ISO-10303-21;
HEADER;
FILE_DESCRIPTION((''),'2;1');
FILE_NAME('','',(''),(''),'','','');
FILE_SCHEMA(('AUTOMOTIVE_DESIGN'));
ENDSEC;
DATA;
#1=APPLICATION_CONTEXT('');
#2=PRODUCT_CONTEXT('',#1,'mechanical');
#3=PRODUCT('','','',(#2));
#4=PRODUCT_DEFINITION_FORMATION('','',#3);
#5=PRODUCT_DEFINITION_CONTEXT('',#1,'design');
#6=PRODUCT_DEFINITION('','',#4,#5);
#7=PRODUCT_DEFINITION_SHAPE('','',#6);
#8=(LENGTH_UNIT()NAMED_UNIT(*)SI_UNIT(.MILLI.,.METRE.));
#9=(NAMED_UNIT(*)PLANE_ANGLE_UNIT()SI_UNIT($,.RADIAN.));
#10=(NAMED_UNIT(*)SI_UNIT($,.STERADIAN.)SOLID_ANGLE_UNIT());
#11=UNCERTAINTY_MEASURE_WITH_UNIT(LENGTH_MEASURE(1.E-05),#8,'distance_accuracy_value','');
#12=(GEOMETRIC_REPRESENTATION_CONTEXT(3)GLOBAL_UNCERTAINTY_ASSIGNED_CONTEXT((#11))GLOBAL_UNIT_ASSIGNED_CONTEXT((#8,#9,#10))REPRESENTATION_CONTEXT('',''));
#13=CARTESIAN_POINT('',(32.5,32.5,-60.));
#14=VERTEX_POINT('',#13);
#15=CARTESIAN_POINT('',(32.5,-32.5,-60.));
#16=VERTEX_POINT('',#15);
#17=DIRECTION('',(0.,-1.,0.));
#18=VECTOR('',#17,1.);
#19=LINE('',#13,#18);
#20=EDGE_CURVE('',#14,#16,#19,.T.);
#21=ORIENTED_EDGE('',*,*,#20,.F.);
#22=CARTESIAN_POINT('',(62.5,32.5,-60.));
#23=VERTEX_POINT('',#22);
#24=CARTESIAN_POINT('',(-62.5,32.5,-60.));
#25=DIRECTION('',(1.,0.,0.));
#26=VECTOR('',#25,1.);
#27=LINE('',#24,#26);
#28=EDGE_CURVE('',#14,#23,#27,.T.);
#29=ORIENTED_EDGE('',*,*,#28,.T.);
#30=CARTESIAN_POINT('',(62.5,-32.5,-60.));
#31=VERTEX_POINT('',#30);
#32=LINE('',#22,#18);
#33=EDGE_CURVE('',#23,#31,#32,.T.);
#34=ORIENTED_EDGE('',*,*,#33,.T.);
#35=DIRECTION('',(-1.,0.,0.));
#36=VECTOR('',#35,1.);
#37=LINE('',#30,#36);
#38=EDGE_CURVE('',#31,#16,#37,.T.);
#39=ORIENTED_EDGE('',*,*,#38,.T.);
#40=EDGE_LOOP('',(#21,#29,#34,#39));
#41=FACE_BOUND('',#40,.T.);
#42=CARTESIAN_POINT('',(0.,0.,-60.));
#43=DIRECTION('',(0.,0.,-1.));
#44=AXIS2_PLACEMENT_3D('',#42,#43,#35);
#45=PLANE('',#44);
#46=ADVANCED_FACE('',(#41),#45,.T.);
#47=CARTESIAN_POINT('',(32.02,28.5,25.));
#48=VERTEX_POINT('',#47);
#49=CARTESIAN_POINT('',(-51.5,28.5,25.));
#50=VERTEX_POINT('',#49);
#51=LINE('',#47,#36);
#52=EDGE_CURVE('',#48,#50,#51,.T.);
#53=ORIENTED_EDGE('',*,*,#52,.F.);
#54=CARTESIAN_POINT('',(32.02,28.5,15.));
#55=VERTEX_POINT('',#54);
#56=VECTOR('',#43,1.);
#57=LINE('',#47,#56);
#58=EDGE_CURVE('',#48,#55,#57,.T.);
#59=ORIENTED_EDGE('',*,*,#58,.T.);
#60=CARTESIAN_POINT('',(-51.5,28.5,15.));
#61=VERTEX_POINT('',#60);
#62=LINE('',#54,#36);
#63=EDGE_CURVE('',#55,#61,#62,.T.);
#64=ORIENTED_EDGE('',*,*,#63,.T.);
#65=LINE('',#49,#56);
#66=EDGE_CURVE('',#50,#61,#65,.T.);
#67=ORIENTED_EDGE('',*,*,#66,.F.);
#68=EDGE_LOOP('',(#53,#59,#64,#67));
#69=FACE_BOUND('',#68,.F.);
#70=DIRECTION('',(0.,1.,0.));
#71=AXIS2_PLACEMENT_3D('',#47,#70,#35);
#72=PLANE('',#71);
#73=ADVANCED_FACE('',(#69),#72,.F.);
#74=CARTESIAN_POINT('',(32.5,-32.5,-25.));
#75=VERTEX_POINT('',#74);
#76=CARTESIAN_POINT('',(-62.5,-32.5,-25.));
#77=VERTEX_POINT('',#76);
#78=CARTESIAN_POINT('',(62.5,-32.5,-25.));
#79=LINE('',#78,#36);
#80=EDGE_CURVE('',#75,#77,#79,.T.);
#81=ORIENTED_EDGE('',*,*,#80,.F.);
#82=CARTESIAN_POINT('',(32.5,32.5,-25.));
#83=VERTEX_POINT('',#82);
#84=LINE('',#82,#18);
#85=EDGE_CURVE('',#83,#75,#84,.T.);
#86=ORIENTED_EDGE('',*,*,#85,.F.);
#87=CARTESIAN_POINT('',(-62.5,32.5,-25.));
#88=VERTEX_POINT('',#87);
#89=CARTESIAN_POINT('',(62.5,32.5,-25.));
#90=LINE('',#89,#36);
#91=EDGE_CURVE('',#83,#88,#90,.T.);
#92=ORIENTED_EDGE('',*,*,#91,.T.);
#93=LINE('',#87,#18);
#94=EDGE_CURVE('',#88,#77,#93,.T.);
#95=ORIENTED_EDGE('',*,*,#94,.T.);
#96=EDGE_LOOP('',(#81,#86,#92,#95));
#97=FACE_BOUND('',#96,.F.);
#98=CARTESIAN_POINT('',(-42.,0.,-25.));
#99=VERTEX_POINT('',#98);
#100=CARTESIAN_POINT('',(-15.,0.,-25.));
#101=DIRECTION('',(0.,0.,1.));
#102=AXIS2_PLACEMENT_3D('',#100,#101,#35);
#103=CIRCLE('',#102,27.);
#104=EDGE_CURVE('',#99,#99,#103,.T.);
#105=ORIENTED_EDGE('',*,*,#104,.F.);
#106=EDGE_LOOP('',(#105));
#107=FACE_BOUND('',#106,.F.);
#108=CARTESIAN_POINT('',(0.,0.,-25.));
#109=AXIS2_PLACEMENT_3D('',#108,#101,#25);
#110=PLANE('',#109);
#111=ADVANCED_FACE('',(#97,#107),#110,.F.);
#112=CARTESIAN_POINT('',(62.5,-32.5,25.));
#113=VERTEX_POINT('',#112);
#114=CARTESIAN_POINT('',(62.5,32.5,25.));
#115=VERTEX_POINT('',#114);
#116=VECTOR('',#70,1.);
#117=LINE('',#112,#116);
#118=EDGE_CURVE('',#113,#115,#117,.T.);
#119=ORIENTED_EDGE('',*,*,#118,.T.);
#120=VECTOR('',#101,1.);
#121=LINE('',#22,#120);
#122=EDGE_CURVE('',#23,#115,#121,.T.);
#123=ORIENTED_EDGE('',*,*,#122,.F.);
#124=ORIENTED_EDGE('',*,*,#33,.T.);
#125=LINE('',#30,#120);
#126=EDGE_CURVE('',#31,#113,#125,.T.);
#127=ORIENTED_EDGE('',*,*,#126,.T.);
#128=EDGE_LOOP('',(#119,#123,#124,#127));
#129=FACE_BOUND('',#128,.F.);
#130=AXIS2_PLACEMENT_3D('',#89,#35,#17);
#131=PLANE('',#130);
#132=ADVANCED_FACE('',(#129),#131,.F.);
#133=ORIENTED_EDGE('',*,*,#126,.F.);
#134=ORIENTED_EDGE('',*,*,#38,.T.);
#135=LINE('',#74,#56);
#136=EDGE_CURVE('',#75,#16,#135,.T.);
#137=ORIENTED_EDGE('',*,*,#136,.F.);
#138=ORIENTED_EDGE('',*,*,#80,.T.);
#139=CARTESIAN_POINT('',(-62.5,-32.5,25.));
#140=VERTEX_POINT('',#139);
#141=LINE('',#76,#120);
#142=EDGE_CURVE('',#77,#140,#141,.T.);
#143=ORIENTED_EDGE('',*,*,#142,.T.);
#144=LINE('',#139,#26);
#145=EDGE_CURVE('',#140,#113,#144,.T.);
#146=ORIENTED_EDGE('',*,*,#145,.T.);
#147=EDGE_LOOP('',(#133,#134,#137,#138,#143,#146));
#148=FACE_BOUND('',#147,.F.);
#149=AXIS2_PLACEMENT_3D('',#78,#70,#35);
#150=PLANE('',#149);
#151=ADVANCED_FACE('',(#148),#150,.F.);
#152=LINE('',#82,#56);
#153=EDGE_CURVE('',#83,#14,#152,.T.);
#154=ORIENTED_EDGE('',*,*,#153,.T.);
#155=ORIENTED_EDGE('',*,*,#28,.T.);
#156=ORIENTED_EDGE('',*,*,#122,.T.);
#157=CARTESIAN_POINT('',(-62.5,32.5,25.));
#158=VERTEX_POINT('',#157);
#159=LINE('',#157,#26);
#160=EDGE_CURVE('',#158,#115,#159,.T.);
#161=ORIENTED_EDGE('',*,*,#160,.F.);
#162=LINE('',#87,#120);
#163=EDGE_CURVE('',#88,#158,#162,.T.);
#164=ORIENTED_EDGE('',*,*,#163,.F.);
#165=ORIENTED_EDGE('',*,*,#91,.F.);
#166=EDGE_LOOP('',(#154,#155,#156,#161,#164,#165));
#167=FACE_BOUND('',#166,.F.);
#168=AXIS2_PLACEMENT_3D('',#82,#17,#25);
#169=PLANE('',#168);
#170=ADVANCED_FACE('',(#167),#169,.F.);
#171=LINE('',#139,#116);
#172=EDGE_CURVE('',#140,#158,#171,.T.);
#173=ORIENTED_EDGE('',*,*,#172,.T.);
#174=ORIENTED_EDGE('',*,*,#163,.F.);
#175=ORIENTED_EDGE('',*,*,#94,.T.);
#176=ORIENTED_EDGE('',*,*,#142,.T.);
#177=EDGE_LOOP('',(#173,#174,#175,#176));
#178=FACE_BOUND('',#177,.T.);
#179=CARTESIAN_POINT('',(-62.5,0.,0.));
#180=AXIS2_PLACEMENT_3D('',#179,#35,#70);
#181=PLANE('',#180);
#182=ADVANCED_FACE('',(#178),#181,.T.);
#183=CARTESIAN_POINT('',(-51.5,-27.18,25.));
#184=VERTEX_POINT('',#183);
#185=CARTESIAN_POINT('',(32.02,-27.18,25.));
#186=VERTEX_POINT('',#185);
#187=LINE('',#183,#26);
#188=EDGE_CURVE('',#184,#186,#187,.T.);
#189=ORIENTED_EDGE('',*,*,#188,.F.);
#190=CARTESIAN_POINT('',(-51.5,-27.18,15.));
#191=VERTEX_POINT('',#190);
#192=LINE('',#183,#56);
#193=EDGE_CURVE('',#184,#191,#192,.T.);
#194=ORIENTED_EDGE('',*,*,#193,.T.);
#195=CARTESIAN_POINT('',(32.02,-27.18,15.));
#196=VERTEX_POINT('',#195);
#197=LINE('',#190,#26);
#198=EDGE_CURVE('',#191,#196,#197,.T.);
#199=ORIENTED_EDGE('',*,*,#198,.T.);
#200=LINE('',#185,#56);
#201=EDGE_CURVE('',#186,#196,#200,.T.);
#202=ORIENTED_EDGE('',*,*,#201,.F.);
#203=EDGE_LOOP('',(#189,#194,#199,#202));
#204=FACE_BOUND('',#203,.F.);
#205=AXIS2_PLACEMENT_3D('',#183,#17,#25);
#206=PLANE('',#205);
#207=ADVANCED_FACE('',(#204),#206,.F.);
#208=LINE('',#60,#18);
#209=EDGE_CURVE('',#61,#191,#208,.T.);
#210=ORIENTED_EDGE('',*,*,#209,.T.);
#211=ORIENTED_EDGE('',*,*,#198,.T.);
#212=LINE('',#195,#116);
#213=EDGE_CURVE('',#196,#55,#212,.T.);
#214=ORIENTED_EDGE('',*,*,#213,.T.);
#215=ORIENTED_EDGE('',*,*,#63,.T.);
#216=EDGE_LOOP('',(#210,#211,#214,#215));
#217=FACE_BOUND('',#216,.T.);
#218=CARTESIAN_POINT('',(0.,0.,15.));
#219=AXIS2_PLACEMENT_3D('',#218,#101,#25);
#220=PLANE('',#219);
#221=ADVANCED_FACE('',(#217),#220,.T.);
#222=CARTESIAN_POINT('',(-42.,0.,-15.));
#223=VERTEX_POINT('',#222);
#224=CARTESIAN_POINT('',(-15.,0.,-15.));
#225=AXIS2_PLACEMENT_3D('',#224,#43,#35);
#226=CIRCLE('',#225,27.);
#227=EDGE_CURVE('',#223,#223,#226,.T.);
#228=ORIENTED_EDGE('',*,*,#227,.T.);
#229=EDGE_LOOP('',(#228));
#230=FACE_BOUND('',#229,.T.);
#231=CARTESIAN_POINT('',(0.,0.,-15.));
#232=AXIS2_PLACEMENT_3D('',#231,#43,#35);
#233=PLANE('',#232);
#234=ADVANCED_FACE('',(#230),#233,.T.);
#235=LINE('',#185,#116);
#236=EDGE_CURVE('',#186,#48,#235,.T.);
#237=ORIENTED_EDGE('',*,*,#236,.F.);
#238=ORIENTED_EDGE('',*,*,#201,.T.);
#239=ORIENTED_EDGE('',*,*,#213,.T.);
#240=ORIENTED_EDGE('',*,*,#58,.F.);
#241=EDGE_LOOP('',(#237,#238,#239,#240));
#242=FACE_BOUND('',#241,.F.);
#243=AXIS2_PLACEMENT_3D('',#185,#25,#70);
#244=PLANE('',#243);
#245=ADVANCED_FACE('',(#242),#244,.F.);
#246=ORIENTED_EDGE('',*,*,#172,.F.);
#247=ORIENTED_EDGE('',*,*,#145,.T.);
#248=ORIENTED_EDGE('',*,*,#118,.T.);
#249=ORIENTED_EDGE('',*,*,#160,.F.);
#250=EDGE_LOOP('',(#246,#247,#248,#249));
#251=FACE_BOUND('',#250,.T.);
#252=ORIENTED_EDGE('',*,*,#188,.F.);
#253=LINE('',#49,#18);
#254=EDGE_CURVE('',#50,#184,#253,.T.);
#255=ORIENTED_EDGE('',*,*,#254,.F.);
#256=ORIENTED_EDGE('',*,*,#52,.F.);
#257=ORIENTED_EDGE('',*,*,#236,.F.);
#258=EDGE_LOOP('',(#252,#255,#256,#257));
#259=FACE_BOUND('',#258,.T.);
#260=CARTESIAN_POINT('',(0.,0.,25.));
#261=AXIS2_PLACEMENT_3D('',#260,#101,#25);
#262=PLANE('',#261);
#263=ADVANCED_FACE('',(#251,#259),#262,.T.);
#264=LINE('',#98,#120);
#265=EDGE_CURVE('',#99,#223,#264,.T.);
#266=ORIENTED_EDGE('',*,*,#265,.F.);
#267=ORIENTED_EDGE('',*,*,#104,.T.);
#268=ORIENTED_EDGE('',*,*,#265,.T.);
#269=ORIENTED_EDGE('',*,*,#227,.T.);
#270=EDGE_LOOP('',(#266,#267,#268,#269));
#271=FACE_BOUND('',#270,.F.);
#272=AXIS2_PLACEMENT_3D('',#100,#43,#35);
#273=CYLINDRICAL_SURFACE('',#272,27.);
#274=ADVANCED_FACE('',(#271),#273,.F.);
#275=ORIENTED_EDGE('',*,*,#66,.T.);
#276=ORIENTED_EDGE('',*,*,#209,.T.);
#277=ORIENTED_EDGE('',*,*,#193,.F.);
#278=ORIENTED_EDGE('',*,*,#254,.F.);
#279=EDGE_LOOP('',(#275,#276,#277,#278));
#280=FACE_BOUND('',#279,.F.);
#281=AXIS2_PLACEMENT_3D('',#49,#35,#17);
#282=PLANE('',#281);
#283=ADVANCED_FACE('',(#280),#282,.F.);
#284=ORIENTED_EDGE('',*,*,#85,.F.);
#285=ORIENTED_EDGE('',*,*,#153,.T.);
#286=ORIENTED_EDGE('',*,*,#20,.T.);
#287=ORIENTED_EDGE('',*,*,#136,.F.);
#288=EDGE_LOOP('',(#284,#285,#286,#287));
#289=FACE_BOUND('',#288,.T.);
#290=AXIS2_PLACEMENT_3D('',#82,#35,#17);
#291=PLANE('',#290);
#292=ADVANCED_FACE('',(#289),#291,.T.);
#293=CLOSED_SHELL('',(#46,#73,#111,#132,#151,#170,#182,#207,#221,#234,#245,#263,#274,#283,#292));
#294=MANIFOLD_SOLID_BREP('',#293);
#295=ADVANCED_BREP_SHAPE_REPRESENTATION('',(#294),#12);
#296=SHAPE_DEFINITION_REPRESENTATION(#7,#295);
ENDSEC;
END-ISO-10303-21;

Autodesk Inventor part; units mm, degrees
ref_plane "YZ Plane" through (0, 0, 0) normal (1, 0, 0) x (0, 1, 0)
ref_plane "XZ Plane" through (0, 0, 0) normal (0, 1, 0) x (-1, 0, 0)
ref_plane "XY Plane" through (0, 0, 0) normal (0, 0, 1) x (1, 0, 0)
sketch "Náčrt1" plane through (0, 0, 0) normal (0, 0, 1) x (1, 0, 0)
  line L0 (-62.5, 32.5) -> (62.5, 32.5)
  line L1 (62.5, 32.5) -> (62.5, -32.5)
  line L2 (62.5, -32.5) -> (-62.5, -32.5)
  line L3 (-62.5, -32.5) -> (-62.5, 32.5)
  line L4 (-87.5, 0) -> (87.5, 0) projected
  line L5 (0, 45.5) -> (0, -45.5) projected
  point P0 (0, 0)
  dimension "d0" = 125
  dimension "d1" = 65
extrude "Vysunutí1" add sketch "Náčrt1" along normal mid plane 50
sketch "Náčrt2" plane through (0, 0, -25) normal (0, 0, -1) x (-1, 0, 0)
  line L0 (-87.5, 0) -> (87.5, 0) projected
  circle A0 centre (15, 0) radius 27
  line L1 (0, -45.5) -> (0, 45.5) projected
  dimension "d18" = 54
  dimension "d19" = 15
extrude "Vysunutí2" cut sketch "Náčrt2" against normal blind 10
sketch "Náčrt3" plane through (0, 0, 25) normal (0, 0, 1) x (1, 0, 0)
  line L0 (32.02, 28.5) -> (-51.5, 28.5)
  line L1 (-51.5, 28.5) -> (-51.5, -27.18)
  line L2 (-51.5, -27.18) -> (32.02, -27.18)
  line L3 (32.02, -27.18) -> (32.02, 28.5)
  line L4 (-62.5, 32.5) -> (-62.5, -32.5) projected
  line L5 (62.5, 32.5) -> (-62.5, 32.5) projected
  point P0 (0, 0)
  dimension "d8" = 83.52
  dimension "d9" = 55.68
  dimension "d11" = 11
  dimension "d12" = 4
extrude "Vysunutí3" cut sketch "Náčrt3" against normal blind 10
sketch "Náčrt4" plane through (0, 0, -25) normal (0, 0, -1) x (-1, 0, 0)
  line L0 (62.5, -32.5) -> (62.5, 32.5) projected
  line L1 (62.5, 32.5) -> (-62.5, 32.5) projected
  line L2 (-62.5, 32.5) -> (-62.5, -32.5) projected
  line L3 (-62.5, -32.5) -> (62.5, -32.5) projected
  line L4 (-62.5, 32.5) -> (-32.5, 32.5)
  line L5 (-32.5, 32.5) -> (-32.5, -33.9338)
  line L6 (-32.5, -33.9338) -> (-62.5, -33.9338)
  line L7 (-62.5, -33.9338) -> (-62.5, 32.5)
  point P0 (0, 0)
  point P1 (-32.5, -32.5)
  dimension "d15" = 30
extrude "Vysunutí4" add sketch "Náčrt4" along normal blind 35 contours L3 L2 L1 L5
properties part number "telo1"
